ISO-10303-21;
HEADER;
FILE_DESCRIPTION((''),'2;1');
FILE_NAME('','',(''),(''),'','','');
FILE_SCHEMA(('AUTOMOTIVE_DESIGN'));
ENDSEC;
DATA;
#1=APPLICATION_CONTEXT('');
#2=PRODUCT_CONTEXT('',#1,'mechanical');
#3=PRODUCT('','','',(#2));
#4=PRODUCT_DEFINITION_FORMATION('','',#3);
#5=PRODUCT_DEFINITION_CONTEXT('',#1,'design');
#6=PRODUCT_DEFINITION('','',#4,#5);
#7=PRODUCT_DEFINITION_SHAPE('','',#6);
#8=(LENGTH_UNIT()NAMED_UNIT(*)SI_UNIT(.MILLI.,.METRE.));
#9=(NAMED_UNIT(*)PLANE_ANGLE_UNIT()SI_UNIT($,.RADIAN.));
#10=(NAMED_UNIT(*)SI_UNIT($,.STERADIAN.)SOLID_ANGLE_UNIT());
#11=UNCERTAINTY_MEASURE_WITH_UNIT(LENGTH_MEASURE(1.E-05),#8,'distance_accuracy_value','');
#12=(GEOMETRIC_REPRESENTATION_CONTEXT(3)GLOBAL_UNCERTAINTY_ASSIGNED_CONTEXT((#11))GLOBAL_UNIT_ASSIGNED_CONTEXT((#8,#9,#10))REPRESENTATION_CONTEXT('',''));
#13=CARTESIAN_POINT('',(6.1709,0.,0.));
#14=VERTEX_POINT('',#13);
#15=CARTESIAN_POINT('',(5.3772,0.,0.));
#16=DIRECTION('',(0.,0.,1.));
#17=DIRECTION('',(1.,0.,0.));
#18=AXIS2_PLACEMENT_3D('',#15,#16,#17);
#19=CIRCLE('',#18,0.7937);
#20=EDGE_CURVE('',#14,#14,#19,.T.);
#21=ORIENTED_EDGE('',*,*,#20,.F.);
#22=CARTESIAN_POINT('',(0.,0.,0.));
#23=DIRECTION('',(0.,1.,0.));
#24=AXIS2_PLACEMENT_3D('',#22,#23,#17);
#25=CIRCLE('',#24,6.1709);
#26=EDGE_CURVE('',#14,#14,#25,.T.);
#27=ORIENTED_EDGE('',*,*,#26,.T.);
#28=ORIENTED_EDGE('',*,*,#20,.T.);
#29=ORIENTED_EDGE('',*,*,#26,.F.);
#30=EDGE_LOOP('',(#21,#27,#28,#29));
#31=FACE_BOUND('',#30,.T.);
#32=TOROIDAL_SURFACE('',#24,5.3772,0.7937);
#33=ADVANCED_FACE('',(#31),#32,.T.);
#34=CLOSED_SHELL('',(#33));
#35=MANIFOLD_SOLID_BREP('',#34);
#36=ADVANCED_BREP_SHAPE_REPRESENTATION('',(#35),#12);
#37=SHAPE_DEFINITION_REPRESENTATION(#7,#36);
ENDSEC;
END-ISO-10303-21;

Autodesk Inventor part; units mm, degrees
ref_plane "YZ Plane" through (0, 0, 0) normal (1, 0, 0) x (0, 1, 0)
ref_plane "XZ Plane" through (0, 0, 0) normal (0, 1, 0) x (-1, 0, 0)
ref_plane "XY Plane" through (0, 0, 0) normal (0, 0, 1) x (1, 0, 0)
sketch "Sketch2" plane through (0, 0, 0) normal (0, 0, 1) x (1, 0, 0)
  circle A0 centre (5.3772, 0) radius 0.7937
  line L0 (0, -1.3443) -> (0, 1.3443)
  line L1 (0, 0) -> (5.3772, 0) construction
  dimension "d0" = 1.5875
  dimension "d1" = 5.3772
revolve "Revolution1" add sketch "Sketch2" angle 360 about axis through (0, -1.3443, 0) along (0, 1, 0)
properties part number "Hex Retaining O-Ring"
